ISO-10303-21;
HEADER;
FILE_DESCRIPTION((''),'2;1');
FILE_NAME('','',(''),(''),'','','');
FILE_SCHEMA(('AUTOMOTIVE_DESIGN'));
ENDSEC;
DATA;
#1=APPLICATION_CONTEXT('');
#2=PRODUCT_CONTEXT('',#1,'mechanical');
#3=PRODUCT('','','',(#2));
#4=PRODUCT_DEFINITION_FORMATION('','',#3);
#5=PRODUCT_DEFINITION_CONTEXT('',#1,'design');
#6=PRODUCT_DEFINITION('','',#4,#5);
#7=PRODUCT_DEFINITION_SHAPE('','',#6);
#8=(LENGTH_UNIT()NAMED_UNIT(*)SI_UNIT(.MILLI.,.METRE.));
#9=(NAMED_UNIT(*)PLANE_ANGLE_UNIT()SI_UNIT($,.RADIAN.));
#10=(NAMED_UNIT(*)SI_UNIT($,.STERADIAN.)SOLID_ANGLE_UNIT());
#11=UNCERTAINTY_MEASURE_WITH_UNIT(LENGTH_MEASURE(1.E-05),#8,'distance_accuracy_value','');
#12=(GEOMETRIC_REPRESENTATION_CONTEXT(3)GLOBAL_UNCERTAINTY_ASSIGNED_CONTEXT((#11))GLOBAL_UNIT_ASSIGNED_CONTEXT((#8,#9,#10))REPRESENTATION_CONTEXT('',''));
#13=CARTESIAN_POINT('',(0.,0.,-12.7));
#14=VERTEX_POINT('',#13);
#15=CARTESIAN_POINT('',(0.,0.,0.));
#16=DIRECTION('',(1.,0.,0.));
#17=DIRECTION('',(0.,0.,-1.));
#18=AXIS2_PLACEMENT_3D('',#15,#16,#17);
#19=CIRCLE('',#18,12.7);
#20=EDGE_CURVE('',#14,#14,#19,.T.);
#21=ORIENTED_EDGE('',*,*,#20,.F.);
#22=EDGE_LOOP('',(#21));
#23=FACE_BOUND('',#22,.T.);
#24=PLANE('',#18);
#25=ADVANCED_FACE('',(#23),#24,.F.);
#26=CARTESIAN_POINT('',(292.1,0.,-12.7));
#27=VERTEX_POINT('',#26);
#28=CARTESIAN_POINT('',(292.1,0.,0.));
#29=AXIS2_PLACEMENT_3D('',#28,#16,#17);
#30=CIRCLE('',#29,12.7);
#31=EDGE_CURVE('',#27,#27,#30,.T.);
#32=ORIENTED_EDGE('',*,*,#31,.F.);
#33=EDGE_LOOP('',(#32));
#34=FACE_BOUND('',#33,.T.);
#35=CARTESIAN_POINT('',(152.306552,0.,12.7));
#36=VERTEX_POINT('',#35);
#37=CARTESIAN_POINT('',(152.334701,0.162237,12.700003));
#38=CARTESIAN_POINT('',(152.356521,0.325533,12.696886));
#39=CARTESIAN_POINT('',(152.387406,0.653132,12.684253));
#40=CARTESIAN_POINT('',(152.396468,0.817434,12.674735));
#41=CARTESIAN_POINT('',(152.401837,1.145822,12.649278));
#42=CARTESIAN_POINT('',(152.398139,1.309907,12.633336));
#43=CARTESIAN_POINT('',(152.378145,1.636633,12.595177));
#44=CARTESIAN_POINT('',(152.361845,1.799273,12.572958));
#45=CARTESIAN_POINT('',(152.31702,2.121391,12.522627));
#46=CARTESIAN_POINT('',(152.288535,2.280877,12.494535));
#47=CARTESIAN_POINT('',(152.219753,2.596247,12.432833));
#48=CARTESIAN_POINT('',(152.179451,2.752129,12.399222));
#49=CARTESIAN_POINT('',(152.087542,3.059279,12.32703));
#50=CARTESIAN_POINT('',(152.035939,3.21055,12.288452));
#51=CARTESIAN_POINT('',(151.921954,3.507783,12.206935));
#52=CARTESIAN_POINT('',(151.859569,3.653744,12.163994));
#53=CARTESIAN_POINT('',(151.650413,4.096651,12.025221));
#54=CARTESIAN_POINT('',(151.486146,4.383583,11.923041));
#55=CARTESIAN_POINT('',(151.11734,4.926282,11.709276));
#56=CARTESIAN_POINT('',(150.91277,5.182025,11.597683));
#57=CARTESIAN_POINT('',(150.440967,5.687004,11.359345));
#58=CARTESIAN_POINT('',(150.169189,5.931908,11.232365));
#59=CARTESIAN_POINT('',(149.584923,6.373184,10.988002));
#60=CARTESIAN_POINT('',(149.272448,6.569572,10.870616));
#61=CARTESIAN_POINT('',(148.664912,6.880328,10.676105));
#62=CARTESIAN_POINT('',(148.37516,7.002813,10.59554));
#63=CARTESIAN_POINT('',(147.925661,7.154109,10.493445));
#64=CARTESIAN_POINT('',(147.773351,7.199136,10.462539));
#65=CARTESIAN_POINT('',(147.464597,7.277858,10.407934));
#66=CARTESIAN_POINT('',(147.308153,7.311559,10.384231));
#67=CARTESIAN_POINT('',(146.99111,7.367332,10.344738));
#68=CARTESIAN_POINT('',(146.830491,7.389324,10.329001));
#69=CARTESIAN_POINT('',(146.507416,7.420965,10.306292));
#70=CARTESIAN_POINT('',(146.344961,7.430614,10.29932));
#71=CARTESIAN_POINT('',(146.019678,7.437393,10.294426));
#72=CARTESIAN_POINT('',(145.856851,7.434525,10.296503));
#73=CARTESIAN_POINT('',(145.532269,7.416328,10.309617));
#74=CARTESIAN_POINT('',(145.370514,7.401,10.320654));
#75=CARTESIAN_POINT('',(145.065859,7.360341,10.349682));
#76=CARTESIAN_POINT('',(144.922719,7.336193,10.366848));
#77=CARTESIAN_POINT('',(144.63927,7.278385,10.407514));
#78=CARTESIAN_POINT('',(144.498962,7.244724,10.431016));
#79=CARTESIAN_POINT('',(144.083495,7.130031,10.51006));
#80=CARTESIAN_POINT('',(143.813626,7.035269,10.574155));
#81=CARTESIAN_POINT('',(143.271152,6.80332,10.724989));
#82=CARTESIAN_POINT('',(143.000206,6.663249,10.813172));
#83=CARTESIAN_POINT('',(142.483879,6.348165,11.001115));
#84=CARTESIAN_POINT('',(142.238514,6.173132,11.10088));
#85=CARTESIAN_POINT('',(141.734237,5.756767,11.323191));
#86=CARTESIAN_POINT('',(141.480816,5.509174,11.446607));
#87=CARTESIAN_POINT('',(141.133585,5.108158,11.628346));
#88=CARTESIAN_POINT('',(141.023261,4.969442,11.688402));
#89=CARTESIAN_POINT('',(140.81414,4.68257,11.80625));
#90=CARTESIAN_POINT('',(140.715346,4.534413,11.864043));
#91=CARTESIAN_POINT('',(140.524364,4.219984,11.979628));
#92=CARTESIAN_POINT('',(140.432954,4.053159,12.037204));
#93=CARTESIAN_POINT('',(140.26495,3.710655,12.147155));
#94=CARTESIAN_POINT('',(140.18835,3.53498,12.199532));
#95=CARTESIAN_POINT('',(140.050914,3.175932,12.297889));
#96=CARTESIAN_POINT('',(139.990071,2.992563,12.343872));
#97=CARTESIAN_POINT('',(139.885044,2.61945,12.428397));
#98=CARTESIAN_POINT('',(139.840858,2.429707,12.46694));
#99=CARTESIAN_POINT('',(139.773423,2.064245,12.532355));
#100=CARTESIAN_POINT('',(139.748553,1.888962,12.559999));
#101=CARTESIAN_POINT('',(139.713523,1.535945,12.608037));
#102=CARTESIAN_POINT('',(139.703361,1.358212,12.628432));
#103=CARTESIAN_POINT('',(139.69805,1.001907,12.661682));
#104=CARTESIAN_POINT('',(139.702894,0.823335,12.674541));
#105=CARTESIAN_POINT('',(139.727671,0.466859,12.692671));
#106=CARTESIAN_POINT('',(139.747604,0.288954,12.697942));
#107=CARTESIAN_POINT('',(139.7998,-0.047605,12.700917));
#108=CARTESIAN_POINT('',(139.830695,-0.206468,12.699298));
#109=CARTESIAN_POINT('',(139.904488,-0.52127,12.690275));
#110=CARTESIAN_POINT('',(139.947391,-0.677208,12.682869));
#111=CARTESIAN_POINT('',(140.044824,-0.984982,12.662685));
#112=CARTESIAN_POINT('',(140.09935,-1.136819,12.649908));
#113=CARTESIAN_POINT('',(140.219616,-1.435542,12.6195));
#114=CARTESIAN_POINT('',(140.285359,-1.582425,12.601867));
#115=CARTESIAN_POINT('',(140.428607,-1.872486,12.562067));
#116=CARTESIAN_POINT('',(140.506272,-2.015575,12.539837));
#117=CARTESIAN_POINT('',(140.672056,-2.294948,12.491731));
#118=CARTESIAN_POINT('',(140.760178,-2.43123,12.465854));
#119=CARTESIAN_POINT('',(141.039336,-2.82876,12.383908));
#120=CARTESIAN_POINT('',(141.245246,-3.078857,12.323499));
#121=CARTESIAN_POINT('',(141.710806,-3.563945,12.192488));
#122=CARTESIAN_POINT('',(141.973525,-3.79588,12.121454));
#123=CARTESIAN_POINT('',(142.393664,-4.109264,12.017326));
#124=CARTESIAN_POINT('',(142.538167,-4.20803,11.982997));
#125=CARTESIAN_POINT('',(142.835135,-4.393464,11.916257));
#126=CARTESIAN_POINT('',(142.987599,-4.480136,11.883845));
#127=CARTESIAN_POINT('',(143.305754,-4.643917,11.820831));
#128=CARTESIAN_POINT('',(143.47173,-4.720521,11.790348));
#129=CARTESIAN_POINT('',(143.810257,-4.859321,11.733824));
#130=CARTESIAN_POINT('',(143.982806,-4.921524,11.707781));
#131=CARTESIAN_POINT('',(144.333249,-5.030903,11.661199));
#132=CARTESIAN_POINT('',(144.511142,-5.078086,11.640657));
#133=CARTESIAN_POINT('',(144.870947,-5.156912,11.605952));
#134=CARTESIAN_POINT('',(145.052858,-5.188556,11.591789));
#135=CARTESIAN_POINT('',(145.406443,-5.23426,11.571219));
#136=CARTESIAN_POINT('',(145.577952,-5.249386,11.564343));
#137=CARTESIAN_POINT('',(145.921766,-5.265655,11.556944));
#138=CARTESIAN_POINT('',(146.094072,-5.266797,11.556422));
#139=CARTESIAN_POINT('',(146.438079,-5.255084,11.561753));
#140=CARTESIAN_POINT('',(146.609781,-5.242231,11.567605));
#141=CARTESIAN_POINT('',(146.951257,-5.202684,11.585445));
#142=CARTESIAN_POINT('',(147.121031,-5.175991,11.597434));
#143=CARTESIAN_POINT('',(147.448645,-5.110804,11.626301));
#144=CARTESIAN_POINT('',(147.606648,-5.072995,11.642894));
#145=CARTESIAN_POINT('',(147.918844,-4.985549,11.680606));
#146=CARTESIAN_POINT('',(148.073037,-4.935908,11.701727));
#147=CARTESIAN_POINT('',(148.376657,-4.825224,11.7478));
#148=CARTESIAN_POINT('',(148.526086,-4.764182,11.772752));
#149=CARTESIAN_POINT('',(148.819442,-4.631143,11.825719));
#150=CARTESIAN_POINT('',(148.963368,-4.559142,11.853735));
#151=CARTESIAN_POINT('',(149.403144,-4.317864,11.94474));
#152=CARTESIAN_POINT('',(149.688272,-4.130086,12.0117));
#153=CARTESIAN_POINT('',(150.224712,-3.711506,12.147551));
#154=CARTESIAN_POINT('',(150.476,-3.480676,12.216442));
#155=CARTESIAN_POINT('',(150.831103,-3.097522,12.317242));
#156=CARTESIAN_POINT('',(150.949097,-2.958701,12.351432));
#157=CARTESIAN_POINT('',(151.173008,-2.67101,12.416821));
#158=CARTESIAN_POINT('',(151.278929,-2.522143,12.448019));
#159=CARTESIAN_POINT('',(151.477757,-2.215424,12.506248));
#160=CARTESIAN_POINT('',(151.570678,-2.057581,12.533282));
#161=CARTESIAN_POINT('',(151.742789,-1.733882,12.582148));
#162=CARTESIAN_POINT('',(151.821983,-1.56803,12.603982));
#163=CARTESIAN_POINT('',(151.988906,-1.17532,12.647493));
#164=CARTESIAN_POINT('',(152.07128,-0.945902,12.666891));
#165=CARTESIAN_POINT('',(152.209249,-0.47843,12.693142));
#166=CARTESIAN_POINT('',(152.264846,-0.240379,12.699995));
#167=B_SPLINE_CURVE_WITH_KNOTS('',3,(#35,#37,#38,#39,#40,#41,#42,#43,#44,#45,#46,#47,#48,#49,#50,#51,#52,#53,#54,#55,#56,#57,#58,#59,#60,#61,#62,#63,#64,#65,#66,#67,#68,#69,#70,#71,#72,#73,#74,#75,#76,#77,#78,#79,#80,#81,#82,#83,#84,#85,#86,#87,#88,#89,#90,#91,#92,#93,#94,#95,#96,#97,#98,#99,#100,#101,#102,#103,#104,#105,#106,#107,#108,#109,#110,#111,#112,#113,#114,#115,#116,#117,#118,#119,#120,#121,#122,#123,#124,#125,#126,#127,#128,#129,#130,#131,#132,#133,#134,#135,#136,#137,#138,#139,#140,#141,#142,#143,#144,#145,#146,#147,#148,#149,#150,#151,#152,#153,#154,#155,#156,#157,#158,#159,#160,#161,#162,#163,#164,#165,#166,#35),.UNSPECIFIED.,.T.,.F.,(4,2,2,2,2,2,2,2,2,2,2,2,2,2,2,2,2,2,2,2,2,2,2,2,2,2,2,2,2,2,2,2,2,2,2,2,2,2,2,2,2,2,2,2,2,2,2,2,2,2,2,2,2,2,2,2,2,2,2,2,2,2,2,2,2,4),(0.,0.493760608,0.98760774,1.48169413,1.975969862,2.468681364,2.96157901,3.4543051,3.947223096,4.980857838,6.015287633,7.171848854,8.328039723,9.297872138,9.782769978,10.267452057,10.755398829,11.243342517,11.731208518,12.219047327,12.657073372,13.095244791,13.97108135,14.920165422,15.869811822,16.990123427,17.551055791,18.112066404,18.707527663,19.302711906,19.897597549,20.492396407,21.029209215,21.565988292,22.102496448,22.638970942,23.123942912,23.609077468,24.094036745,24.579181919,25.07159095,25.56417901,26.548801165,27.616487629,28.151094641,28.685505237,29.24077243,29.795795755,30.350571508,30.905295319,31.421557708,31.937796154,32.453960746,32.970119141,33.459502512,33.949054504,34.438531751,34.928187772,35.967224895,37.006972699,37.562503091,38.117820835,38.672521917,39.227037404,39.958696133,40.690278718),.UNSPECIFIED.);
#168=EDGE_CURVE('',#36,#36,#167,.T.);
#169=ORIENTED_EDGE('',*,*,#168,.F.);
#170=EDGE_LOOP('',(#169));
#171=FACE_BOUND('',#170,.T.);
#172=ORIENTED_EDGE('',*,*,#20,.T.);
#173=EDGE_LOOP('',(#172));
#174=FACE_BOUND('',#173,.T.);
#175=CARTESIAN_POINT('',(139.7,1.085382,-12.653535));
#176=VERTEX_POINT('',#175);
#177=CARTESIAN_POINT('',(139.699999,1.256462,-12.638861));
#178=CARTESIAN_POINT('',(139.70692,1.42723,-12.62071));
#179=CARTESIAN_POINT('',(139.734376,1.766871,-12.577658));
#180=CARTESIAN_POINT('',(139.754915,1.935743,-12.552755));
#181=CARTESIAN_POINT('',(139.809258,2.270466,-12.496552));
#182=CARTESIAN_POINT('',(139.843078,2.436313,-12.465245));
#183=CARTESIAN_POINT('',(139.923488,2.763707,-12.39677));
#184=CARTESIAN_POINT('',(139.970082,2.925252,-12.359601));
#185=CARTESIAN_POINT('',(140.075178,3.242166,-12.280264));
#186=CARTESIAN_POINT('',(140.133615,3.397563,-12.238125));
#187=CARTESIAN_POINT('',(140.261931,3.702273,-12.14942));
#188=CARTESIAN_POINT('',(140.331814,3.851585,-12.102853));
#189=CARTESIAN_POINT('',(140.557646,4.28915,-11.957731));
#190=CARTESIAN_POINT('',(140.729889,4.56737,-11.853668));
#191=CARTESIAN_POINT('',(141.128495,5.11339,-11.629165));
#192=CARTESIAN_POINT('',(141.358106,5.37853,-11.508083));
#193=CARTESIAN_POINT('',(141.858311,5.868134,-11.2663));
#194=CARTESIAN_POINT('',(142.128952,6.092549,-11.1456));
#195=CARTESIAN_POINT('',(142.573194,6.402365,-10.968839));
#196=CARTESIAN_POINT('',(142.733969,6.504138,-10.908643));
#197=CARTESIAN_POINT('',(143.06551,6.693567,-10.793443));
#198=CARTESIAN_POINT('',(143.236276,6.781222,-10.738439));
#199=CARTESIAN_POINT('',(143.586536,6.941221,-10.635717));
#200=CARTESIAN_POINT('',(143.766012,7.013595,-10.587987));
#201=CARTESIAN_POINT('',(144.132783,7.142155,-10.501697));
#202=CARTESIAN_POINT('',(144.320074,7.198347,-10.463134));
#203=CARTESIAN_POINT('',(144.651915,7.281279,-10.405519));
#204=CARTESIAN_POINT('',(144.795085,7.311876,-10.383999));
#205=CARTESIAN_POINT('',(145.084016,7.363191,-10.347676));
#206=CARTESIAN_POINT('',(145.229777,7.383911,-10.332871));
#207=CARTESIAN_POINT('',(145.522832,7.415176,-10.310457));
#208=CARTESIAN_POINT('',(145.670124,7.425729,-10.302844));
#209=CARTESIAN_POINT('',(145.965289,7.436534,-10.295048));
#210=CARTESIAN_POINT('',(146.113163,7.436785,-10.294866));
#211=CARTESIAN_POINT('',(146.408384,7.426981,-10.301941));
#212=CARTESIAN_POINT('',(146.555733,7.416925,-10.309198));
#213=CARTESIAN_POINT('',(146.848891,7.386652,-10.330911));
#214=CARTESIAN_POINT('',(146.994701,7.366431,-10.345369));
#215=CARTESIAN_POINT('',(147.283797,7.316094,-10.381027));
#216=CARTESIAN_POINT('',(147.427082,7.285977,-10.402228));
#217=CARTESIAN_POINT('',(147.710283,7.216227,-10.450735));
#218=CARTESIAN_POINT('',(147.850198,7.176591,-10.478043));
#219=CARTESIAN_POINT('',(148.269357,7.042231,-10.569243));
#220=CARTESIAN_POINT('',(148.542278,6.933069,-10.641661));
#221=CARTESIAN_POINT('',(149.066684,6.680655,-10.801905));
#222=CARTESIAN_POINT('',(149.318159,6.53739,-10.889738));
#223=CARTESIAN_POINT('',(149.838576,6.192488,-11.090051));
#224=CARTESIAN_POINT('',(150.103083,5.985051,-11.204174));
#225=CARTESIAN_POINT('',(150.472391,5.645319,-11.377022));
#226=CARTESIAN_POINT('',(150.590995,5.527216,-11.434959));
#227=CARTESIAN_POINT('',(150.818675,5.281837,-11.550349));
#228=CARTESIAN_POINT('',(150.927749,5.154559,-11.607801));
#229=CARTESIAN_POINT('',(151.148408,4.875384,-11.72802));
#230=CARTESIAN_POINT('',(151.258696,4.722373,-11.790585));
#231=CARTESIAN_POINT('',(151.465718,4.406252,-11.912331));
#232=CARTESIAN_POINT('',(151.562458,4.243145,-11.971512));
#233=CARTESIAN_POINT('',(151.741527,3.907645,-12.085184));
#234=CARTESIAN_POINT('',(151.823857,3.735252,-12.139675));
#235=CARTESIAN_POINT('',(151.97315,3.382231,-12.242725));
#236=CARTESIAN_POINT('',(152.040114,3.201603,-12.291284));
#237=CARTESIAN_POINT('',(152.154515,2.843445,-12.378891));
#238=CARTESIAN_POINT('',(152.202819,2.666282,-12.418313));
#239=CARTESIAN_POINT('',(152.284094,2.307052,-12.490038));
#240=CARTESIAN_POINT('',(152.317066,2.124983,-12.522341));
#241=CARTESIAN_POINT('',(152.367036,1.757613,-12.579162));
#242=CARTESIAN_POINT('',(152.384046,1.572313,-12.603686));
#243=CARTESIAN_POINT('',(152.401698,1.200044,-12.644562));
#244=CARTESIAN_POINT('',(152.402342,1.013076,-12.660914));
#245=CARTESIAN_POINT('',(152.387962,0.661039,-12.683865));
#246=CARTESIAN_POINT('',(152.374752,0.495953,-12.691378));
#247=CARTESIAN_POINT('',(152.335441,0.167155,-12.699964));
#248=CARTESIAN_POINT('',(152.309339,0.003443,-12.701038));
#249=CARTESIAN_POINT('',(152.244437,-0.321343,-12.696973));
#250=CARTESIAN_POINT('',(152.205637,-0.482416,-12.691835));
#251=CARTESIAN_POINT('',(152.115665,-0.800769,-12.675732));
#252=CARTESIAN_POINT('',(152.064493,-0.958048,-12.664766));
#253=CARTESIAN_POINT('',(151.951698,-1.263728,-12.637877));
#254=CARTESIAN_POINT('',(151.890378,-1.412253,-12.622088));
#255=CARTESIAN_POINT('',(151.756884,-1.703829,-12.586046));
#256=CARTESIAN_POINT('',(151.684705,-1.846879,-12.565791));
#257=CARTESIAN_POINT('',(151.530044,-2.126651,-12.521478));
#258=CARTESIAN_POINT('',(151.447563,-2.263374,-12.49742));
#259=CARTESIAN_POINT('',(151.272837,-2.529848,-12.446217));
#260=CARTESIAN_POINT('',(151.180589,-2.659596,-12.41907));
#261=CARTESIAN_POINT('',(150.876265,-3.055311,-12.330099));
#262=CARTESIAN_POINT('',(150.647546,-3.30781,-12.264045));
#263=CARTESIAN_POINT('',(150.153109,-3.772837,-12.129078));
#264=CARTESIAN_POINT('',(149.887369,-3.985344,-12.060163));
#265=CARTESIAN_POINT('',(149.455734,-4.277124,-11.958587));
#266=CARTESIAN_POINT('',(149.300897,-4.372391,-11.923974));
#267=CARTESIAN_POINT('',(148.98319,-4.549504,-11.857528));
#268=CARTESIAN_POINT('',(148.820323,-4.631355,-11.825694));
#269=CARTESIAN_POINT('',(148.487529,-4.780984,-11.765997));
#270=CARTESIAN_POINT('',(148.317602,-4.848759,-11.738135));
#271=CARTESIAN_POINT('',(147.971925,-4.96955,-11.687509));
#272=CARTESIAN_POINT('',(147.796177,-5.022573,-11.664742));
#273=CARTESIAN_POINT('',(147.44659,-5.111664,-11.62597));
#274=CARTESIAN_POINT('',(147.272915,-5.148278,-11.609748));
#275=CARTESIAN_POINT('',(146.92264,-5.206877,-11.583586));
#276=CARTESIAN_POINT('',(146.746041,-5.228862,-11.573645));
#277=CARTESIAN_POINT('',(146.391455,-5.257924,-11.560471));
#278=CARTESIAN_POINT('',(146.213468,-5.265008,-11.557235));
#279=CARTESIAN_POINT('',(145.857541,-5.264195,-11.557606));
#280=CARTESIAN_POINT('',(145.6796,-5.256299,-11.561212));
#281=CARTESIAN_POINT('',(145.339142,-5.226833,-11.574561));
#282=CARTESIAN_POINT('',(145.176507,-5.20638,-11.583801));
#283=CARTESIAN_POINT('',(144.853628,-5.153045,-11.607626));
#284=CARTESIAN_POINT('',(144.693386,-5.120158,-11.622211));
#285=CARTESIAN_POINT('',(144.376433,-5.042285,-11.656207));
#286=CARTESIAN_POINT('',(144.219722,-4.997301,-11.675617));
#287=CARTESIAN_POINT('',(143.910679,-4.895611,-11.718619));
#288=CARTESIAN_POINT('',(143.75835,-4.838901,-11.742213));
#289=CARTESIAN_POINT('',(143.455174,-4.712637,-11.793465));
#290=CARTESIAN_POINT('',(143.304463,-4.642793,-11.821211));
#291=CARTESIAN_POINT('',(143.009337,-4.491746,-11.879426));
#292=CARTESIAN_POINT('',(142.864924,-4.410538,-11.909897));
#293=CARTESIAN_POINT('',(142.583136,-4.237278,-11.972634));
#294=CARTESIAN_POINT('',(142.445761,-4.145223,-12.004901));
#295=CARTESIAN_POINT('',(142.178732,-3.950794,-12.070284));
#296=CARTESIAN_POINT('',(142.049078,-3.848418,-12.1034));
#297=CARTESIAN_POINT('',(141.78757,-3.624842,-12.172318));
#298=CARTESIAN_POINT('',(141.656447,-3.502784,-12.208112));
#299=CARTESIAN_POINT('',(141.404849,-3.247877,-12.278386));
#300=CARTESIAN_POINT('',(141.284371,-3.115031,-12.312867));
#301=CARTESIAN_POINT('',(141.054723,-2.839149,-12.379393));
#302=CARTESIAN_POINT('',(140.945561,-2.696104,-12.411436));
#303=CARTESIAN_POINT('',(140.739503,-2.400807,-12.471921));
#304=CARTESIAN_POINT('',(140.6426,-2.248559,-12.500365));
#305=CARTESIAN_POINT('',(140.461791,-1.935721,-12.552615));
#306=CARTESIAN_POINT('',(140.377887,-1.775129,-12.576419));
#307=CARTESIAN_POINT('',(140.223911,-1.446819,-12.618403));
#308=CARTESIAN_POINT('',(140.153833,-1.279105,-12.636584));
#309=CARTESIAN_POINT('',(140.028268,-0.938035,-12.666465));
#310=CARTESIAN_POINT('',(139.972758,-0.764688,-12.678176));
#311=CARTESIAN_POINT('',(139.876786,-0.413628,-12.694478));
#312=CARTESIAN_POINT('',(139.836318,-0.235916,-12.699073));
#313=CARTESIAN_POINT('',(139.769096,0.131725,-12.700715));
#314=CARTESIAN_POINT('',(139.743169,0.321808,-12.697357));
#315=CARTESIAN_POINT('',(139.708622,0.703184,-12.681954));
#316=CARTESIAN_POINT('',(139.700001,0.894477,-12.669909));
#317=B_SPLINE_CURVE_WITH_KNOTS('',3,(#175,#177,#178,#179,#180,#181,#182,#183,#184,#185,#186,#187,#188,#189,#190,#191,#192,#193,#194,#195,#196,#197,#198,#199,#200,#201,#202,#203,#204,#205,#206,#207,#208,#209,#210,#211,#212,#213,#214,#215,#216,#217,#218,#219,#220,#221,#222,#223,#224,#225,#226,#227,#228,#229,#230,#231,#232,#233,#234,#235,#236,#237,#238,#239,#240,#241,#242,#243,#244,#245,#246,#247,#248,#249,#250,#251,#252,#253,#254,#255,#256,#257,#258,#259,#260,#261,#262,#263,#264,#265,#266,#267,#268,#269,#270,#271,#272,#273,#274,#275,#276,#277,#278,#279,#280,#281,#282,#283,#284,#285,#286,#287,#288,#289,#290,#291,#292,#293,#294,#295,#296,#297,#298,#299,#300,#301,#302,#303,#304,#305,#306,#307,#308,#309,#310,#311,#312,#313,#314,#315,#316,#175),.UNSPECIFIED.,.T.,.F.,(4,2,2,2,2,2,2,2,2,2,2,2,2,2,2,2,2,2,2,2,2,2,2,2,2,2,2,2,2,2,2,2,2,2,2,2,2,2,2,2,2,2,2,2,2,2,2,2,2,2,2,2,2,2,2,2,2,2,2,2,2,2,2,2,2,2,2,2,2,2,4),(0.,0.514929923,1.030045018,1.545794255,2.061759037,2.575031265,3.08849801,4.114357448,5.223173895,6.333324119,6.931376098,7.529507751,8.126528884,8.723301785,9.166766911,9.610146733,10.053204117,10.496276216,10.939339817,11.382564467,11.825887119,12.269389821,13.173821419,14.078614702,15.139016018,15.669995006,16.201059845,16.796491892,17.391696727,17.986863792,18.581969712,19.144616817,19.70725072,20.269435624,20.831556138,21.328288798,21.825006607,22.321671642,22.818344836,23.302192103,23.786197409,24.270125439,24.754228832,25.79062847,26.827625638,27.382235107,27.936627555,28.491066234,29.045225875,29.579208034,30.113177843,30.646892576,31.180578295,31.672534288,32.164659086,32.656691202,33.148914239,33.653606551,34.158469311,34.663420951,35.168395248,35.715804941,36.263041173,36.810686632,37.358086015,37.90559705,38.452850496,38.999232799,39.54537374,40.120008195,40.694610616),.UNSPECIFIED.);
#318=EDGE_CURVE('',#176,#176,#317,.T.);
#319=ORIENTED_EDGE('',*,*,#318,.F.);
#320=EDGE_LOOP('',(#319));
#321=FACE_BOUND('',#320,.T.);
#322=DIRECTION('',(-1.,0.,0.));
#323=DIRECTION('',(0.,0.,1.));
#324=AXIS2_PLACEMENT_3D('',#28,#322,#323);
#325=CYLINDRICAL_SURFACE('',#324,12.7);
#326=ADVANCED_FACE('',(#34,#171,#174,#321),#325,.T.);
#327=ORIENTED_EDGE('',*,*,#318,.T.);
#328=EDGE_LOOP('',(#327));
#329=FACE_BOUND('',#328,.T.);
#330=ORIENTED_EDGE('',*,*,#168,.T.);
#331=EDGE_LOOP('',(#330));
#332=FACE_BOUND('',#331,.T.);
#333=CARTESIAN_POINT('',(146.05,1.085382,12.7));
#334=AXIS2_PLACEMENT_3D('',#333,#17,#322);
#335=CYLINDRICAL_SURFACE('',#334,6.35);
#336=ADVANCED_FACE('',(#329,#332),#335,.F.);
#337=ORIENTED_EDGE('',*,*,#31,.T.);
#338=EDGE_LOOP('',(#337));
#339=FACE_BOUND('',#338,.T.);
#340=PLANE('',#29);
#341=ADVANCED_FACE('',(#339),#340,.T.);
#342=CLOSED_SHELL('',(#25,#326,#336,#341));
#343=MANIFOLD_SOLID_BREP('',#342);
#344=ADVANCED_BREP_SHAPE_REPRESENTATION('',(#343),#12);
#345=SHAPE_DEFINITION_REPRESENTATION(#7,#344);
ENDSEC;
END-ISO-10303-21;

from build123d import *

# Parameters (mm, degrees)
SKETCH_1_R               = 12.7
EXTRUDE_1_DEPTH          = 292.1
CUT_EXTRUDE_1_DEPTH      = 293.651652994
CUT_EXTRUDE_1_DEPTH_BACK = 293.651652994
SKETCH_2_R               = 6.35


with BuildPart() as part:
    # 草图1 → 凸台-拉伸1 (new body)
    with BuildSketch(Plane(origin=(0, 0, 0), x_dir=(0, 0, -1), z_dir=(1, 0, 0))):
        Circle(SKETCH_1_R)
    extrude(amount=EXTRUDE_1_DEPTH)

    # 草图2 → 切除-拉伸1 (cut, two sides: drawn at the far end of the back side and taken through both)
    with BuildSketch(Plane.XY.offset(-CUT_EXTRUDE_1_DEPTH_BACK)):
        with Locations(Location((146.05, 1.085382152, 0), (0, 0, 180))):
            Circle(SKETCH_2_R)
    extrude(amount=CUT_EXTRUDE_1_DEPTH + CUT_EXTRUDE_1_DEPTH_BACK, mode=Mode.SUBTRACT)


solid = part.part
